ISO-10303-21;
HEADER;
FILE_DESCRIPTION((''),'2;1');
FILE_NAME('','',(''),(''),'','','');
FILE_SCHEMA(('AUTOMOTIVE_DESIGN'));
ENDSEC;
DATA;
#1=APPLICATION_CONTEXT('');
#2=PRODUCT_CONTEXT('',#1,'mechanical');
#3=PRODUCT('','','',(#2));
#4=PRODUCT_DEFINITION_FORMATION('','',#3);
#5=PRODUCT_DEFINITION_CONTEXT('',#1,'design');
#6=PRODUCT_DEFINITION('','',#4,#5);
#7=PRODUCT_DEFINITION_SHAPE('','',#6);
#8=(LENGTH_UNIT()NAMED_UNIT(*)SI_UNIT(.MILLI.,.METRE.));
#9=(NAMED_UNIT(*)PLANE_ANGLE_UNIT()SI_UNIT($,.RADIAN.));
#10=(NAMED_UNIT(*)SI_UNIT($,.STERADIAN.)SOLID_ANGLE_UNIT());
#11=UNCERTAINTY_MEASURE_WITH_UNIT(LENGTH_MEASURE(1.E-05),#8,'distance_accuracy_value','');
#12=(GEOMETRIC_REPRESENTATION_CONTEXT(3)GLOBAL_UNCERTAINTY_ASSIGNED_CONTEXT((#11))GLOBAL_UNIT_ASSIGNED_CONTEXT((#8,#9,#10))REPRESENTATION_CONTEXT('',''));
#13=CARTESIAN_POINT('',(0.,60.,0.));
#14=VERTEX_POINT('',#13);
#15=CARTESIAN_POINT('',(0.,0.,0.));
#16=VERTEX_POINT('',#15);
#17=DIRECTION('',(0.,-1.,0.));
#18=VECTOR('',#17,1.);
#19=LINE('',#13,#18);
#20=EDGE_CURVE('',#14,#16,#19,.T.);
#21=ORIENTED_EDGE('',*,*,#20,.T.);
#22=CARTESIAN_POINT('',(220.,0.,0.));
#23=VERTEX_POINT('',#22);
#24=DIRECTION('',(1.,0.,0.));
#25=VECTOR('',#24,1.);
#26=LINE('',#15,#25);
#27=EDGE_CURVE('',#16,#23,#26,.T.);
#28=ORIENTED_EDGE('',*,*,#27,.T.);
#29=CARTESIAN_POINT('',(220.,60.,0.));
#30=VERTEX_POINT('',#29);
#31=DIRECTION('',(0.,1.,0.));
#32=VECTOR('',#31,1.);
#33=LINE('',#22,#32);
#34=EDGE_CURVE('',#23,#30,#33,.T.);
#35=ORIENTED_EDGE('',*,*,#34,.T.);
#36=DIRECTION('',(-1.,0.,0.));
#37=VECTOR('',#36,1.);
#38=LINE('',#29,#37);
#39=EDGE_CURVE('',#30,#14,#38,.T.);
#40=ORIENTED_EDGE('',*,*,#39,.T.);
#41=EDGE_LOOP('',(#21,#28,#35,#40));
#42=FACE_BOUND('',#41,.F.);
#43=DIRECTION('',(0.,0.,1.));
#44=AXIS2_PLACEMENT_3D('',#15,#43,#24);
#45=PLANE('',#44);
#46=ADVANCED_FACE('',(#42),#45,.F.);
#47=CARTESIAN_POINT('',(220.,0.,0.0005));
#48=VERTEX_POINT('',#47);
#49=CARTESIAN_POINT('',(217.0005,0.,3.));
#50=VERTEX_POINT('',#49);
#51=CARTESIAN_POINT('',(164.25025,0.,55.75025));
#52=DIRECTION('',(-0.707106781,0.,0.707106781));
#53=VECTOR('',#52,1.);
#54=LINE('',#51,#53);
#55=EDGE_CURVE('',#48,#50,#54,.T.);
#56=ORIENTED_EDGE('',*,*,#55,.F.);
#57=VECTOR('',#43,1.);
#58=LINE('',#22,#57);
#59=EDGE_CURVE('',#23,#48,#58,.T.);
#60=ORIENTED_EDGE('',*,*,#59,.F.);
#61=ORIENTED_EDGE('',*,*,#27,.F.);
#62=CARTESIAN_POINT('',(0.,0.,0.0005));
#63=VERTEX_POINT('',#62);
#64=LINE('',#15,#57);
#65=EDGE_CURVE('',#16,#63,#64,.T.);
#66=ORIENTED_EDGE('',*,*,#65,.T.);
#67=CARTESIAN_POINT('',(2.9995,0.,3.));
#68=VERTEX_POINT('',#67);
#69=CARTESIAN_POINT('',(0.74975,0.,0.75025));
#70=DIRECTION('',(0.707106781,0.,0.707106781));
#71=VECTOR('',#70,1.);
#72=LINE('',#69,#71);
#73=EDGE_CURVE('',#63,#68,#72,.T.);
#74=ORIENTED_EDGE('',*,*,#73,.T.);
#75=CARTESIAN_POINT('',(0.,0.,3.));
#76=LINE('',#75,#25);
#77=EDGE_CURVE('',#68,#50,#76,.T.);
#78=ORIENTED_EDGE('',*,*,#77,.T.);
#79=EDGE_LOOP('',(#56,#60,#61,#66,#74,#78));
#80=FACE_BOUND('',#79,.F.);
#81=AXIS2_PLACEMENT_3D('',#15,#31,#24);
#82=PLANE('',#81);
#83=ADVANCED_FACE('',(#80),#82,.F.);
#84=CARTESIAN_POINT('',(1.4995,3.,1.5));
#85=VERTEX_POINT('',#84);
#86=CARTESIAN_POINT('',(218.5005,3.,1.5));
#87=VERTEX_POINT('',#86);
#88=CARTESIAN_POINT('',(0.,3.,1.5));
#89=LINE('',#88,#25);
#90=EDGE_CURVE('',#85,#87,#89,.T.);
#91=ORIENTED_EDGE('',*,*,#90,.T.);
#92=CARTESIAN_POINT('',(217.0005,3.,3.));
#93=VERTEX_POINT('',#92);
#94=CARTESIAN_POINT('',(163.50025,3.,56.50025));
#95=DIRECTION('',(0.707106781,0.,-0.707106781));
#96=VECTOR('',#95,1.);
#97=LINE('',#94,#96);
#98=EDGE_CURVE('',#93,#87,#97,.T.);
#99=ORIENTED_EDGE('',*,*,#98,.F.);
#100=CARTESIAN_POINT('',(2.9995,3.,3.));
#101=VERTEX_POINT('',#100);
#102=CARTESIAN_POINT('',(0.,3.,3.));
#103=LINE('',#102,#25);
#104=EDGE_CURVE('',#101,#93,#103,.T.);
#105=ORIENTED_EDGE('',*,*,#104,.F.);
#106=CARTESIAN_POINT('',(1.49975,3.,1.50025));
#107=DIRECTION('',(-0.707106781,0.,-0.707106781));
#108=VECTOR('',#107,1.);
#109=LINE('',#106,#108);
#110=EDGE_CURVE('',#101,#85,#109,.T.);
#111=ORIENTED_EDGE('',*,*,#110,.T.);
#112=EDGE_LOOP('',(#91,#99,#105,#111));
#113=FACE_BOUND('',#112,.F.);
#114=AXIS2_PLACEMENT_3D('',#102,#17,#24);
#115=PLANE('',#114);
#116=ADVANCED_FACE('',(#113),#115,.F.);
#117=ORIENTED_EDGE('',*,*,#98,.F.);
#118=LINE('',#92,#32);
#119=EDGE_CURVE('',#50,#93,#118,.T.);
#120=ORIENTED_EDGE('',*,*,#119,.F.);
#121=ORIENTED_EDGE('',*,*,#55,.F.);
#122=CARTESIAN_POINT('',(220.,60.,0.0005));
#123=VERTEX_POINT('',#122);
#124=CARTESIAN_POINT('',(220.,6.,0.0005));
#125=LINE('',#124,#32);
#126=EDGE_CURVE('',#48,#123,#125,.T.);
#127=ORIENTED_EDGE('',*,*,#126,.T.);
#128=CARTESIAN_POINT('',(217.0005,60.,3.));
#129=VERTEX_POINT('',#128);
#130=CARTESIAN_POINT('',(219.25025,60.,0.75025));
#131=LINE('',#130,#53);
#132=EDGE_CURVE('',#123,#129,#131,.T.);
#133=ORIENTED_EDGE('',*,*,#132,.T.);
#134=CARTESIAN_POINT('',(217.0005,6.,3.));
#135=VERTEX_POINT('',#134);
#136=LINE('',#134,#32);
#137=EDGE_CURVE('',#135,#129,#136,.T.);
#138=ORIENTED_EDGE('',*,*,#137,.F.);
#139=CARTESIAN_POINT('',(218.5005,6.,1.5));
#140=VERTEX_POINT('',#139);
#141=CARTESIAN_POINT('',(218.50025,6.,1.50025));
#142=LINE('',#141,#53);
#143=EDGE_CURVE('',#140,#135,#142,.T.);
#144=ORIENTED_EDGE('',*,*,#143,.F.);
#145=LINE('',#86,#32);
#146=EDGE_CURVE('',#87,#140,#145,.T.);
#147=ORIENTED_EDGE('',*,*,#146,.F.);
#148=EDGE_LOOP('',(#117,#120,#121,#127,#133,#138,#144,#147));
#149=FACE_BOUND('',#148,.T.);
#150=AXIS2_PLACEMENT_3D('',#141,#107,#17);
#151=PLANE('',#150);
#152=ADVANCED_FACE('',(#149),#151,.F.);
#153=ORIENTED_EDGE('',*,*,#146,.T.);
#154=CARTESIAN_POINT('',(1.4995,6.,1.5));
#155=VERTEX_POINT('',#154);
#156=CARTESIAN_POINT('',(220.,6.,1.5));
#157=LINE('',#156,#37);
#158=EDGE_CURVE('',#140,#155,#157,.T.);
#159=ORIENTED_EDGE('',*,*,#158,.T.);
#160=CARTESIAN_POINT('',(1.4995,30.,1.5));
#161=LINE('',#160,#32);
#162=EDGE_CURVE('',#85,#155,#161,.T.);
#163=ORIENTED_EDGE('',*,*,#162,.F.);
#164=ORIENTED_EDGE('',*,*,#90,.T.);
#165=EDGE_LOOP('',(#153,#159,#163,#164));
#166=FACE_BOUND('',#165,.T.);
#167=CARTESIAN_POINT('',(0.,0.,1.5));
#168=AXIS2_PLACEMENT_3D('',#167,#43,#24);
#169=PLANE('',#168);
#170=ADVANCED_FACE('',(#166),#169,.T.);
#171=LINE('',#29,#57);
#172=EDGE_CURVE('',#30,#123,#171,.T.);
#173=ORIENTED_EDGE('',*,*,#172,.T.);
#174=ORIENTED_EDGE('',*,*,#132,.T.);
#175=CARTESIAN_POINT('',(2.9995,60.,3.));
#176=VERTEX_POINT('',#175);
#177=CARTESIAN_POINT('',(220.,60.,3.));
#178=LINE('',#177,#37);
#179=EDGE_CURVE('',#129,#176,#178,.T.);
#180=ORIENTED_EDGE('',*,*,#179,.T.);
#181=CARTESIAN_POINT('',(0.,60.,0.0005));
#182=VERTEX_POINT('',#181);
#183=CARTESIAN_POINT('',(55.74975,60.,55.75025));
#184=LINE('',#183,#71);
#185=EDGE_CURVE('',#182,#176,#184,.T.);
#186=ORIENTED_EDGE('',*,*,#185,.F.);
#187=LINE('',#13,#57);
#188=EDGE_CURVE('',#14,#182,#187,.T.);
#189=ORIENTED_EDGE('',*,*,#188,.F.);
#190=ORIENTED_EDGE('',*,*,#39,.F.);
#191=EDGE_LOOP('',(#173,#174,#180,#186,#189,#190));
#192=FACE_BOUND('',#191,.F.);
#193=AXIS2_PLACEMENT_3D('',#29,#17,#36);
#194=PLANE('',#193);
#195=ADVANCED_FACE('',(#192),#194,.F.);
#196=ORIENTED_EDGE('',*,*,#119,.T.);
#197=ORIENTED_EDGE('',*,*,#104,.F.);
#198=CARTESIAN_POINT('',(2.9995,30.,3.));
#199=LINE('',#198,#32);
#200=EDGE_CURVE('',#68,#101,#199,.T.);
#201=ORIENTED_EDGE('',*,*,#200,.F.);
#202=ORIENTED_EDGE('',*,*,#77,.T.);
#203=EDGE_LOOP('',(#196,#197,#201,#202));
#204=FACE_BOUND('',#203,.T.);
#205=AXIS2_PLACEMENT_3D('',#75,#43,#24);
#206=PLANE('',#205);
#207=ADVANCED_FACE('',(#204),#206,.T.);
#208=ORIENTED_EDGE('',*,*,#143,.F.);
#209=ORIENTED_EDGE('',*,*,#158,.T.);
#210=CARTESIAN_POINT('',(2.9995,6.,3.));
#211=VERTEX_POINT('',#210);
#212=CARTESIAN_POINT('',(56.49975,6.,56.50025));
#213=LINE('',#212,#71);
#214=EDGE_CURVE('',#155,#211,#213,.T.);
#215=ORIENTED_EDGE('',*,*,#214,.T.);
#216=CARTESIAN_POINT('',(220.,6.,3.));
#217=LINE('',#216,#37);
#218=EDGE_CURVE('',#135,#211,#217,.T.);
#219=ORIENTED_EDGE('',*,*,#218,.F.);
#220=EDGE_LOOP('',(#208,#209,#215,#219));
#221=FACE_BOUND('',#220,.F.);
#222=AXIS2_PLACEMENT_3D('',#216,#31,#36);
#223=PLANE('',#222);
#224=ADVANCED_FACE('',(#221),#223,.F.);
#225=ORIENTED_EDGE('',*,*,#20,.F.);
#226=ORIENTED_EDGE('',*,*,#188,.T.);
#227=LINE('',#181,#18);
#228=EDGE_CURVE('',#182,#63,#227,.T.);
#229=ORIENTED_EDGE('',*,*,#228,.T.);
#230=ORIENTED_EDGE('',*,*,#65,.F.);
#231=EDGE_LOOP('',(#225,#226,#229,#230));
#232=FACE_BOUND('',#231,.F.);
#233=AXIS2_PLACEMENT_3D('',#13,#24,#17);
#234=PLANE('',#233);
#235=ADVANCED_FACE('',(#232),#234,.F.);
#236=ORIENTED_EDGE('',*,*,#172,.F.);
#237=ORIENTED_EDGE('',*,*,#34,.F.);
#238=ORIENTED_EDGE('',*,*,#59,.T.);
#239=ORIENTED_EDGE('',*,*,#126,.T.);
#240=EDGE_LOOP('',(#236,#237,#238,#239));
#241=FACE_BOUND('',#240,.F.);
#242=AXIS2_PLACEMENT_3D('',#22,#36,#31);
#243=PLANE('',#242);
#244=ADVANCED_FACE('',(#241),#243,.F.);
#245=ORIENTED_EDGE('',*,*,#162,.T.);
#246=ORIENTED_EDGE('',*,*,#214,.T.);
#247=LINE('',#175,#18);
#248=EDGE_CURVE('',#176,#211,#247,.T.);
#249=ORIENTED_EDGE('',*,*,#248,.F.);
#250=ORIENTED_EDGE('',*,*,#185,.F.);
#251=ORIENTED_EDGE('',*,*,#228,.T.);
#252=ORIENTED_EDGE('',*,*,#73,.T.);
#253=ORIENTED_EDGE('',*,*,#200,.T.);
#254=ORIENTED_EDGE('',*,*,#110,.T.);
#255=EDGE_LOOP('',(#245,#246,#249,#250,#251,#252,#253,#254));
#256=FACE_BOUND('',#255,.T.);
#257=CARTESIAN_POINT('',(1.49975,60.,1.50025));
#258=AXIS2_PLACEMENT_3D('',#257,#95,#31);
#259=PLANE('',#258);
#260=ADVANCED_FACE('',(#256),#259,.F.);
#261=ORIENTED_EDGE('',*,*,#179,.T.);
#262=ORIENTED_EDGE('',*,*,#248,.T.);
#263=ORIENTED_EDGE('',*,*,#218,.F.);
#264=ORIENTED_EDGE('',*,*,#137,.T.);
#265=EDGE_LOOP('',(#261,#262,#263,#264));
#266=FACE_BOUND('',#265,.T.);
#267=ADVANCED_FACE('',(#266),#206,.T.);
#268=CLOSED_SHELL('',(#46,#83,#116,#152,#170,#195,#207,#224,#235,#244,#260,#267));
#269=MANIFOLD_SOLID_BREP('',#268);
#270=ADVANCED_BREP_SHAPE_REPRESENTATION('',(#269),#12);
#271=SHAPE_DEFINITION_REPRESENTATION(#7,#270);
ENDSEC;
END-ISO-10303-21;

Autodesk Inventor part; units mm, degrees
ref_plane "YZ Plane" through (0, 0, 0) normal (1, 0, 0) x (0, 1, 0)
ref_plane "XZ Plane" through (0, 0, 0) normal (0, 1, 0) x (-1, 0, 0)
ref_plane "XY Plane" through (0, 0, 0) normal (0, 0, 1) x (1, 0, 0)
sketch "Sketch1" plane through (0, 0, 0) normal (0, 0, 1) x (1, 0, 0)
  line L0 (0, 0) -> (220, 0)
  line L1 (220, 0) -> (220, 60)
  line L2 (220, 60) -> (0, 60)
  line L3 (0, 60) -> (0, 0)
  dimension "d0" = 220
  dimension "d1" = 60
extrude "Extrusion1" add sketch "Sketch1" along normal blind 3
sketch "Sketch2" plane through (0, 0, 3) normal (0, 0, 1) x (1, 0, 0)
  line L0 (0, 60) -> (0, 0) projected
  line L1 (0, 0) -> (0, 3)
  line L2 (0, 0) -> (3, 0) construction
  line L3 (0, 3) -> (220, 3)
  line L4 (220, 3) -> (220, 6)
  line L5 (220, 6) -> (0, 6)
  line L6 (0, 6) -> (0, 3)
  dimension "d4" = 3
  dimension "d5" = 90
  dimension "d6" = 220
  dimension "d7" = 3
extrude "Extrusion2" cut sketch "Sketch2" against normal blind 1.5
chamfer "Chamfer1" distance 3 angle 45 1 edges at (0, 33, 3)
chamfer "Chamfer2" distance 3 angle 45 1 edges at (220, 33, 3)
properties part number "Inert sider"
